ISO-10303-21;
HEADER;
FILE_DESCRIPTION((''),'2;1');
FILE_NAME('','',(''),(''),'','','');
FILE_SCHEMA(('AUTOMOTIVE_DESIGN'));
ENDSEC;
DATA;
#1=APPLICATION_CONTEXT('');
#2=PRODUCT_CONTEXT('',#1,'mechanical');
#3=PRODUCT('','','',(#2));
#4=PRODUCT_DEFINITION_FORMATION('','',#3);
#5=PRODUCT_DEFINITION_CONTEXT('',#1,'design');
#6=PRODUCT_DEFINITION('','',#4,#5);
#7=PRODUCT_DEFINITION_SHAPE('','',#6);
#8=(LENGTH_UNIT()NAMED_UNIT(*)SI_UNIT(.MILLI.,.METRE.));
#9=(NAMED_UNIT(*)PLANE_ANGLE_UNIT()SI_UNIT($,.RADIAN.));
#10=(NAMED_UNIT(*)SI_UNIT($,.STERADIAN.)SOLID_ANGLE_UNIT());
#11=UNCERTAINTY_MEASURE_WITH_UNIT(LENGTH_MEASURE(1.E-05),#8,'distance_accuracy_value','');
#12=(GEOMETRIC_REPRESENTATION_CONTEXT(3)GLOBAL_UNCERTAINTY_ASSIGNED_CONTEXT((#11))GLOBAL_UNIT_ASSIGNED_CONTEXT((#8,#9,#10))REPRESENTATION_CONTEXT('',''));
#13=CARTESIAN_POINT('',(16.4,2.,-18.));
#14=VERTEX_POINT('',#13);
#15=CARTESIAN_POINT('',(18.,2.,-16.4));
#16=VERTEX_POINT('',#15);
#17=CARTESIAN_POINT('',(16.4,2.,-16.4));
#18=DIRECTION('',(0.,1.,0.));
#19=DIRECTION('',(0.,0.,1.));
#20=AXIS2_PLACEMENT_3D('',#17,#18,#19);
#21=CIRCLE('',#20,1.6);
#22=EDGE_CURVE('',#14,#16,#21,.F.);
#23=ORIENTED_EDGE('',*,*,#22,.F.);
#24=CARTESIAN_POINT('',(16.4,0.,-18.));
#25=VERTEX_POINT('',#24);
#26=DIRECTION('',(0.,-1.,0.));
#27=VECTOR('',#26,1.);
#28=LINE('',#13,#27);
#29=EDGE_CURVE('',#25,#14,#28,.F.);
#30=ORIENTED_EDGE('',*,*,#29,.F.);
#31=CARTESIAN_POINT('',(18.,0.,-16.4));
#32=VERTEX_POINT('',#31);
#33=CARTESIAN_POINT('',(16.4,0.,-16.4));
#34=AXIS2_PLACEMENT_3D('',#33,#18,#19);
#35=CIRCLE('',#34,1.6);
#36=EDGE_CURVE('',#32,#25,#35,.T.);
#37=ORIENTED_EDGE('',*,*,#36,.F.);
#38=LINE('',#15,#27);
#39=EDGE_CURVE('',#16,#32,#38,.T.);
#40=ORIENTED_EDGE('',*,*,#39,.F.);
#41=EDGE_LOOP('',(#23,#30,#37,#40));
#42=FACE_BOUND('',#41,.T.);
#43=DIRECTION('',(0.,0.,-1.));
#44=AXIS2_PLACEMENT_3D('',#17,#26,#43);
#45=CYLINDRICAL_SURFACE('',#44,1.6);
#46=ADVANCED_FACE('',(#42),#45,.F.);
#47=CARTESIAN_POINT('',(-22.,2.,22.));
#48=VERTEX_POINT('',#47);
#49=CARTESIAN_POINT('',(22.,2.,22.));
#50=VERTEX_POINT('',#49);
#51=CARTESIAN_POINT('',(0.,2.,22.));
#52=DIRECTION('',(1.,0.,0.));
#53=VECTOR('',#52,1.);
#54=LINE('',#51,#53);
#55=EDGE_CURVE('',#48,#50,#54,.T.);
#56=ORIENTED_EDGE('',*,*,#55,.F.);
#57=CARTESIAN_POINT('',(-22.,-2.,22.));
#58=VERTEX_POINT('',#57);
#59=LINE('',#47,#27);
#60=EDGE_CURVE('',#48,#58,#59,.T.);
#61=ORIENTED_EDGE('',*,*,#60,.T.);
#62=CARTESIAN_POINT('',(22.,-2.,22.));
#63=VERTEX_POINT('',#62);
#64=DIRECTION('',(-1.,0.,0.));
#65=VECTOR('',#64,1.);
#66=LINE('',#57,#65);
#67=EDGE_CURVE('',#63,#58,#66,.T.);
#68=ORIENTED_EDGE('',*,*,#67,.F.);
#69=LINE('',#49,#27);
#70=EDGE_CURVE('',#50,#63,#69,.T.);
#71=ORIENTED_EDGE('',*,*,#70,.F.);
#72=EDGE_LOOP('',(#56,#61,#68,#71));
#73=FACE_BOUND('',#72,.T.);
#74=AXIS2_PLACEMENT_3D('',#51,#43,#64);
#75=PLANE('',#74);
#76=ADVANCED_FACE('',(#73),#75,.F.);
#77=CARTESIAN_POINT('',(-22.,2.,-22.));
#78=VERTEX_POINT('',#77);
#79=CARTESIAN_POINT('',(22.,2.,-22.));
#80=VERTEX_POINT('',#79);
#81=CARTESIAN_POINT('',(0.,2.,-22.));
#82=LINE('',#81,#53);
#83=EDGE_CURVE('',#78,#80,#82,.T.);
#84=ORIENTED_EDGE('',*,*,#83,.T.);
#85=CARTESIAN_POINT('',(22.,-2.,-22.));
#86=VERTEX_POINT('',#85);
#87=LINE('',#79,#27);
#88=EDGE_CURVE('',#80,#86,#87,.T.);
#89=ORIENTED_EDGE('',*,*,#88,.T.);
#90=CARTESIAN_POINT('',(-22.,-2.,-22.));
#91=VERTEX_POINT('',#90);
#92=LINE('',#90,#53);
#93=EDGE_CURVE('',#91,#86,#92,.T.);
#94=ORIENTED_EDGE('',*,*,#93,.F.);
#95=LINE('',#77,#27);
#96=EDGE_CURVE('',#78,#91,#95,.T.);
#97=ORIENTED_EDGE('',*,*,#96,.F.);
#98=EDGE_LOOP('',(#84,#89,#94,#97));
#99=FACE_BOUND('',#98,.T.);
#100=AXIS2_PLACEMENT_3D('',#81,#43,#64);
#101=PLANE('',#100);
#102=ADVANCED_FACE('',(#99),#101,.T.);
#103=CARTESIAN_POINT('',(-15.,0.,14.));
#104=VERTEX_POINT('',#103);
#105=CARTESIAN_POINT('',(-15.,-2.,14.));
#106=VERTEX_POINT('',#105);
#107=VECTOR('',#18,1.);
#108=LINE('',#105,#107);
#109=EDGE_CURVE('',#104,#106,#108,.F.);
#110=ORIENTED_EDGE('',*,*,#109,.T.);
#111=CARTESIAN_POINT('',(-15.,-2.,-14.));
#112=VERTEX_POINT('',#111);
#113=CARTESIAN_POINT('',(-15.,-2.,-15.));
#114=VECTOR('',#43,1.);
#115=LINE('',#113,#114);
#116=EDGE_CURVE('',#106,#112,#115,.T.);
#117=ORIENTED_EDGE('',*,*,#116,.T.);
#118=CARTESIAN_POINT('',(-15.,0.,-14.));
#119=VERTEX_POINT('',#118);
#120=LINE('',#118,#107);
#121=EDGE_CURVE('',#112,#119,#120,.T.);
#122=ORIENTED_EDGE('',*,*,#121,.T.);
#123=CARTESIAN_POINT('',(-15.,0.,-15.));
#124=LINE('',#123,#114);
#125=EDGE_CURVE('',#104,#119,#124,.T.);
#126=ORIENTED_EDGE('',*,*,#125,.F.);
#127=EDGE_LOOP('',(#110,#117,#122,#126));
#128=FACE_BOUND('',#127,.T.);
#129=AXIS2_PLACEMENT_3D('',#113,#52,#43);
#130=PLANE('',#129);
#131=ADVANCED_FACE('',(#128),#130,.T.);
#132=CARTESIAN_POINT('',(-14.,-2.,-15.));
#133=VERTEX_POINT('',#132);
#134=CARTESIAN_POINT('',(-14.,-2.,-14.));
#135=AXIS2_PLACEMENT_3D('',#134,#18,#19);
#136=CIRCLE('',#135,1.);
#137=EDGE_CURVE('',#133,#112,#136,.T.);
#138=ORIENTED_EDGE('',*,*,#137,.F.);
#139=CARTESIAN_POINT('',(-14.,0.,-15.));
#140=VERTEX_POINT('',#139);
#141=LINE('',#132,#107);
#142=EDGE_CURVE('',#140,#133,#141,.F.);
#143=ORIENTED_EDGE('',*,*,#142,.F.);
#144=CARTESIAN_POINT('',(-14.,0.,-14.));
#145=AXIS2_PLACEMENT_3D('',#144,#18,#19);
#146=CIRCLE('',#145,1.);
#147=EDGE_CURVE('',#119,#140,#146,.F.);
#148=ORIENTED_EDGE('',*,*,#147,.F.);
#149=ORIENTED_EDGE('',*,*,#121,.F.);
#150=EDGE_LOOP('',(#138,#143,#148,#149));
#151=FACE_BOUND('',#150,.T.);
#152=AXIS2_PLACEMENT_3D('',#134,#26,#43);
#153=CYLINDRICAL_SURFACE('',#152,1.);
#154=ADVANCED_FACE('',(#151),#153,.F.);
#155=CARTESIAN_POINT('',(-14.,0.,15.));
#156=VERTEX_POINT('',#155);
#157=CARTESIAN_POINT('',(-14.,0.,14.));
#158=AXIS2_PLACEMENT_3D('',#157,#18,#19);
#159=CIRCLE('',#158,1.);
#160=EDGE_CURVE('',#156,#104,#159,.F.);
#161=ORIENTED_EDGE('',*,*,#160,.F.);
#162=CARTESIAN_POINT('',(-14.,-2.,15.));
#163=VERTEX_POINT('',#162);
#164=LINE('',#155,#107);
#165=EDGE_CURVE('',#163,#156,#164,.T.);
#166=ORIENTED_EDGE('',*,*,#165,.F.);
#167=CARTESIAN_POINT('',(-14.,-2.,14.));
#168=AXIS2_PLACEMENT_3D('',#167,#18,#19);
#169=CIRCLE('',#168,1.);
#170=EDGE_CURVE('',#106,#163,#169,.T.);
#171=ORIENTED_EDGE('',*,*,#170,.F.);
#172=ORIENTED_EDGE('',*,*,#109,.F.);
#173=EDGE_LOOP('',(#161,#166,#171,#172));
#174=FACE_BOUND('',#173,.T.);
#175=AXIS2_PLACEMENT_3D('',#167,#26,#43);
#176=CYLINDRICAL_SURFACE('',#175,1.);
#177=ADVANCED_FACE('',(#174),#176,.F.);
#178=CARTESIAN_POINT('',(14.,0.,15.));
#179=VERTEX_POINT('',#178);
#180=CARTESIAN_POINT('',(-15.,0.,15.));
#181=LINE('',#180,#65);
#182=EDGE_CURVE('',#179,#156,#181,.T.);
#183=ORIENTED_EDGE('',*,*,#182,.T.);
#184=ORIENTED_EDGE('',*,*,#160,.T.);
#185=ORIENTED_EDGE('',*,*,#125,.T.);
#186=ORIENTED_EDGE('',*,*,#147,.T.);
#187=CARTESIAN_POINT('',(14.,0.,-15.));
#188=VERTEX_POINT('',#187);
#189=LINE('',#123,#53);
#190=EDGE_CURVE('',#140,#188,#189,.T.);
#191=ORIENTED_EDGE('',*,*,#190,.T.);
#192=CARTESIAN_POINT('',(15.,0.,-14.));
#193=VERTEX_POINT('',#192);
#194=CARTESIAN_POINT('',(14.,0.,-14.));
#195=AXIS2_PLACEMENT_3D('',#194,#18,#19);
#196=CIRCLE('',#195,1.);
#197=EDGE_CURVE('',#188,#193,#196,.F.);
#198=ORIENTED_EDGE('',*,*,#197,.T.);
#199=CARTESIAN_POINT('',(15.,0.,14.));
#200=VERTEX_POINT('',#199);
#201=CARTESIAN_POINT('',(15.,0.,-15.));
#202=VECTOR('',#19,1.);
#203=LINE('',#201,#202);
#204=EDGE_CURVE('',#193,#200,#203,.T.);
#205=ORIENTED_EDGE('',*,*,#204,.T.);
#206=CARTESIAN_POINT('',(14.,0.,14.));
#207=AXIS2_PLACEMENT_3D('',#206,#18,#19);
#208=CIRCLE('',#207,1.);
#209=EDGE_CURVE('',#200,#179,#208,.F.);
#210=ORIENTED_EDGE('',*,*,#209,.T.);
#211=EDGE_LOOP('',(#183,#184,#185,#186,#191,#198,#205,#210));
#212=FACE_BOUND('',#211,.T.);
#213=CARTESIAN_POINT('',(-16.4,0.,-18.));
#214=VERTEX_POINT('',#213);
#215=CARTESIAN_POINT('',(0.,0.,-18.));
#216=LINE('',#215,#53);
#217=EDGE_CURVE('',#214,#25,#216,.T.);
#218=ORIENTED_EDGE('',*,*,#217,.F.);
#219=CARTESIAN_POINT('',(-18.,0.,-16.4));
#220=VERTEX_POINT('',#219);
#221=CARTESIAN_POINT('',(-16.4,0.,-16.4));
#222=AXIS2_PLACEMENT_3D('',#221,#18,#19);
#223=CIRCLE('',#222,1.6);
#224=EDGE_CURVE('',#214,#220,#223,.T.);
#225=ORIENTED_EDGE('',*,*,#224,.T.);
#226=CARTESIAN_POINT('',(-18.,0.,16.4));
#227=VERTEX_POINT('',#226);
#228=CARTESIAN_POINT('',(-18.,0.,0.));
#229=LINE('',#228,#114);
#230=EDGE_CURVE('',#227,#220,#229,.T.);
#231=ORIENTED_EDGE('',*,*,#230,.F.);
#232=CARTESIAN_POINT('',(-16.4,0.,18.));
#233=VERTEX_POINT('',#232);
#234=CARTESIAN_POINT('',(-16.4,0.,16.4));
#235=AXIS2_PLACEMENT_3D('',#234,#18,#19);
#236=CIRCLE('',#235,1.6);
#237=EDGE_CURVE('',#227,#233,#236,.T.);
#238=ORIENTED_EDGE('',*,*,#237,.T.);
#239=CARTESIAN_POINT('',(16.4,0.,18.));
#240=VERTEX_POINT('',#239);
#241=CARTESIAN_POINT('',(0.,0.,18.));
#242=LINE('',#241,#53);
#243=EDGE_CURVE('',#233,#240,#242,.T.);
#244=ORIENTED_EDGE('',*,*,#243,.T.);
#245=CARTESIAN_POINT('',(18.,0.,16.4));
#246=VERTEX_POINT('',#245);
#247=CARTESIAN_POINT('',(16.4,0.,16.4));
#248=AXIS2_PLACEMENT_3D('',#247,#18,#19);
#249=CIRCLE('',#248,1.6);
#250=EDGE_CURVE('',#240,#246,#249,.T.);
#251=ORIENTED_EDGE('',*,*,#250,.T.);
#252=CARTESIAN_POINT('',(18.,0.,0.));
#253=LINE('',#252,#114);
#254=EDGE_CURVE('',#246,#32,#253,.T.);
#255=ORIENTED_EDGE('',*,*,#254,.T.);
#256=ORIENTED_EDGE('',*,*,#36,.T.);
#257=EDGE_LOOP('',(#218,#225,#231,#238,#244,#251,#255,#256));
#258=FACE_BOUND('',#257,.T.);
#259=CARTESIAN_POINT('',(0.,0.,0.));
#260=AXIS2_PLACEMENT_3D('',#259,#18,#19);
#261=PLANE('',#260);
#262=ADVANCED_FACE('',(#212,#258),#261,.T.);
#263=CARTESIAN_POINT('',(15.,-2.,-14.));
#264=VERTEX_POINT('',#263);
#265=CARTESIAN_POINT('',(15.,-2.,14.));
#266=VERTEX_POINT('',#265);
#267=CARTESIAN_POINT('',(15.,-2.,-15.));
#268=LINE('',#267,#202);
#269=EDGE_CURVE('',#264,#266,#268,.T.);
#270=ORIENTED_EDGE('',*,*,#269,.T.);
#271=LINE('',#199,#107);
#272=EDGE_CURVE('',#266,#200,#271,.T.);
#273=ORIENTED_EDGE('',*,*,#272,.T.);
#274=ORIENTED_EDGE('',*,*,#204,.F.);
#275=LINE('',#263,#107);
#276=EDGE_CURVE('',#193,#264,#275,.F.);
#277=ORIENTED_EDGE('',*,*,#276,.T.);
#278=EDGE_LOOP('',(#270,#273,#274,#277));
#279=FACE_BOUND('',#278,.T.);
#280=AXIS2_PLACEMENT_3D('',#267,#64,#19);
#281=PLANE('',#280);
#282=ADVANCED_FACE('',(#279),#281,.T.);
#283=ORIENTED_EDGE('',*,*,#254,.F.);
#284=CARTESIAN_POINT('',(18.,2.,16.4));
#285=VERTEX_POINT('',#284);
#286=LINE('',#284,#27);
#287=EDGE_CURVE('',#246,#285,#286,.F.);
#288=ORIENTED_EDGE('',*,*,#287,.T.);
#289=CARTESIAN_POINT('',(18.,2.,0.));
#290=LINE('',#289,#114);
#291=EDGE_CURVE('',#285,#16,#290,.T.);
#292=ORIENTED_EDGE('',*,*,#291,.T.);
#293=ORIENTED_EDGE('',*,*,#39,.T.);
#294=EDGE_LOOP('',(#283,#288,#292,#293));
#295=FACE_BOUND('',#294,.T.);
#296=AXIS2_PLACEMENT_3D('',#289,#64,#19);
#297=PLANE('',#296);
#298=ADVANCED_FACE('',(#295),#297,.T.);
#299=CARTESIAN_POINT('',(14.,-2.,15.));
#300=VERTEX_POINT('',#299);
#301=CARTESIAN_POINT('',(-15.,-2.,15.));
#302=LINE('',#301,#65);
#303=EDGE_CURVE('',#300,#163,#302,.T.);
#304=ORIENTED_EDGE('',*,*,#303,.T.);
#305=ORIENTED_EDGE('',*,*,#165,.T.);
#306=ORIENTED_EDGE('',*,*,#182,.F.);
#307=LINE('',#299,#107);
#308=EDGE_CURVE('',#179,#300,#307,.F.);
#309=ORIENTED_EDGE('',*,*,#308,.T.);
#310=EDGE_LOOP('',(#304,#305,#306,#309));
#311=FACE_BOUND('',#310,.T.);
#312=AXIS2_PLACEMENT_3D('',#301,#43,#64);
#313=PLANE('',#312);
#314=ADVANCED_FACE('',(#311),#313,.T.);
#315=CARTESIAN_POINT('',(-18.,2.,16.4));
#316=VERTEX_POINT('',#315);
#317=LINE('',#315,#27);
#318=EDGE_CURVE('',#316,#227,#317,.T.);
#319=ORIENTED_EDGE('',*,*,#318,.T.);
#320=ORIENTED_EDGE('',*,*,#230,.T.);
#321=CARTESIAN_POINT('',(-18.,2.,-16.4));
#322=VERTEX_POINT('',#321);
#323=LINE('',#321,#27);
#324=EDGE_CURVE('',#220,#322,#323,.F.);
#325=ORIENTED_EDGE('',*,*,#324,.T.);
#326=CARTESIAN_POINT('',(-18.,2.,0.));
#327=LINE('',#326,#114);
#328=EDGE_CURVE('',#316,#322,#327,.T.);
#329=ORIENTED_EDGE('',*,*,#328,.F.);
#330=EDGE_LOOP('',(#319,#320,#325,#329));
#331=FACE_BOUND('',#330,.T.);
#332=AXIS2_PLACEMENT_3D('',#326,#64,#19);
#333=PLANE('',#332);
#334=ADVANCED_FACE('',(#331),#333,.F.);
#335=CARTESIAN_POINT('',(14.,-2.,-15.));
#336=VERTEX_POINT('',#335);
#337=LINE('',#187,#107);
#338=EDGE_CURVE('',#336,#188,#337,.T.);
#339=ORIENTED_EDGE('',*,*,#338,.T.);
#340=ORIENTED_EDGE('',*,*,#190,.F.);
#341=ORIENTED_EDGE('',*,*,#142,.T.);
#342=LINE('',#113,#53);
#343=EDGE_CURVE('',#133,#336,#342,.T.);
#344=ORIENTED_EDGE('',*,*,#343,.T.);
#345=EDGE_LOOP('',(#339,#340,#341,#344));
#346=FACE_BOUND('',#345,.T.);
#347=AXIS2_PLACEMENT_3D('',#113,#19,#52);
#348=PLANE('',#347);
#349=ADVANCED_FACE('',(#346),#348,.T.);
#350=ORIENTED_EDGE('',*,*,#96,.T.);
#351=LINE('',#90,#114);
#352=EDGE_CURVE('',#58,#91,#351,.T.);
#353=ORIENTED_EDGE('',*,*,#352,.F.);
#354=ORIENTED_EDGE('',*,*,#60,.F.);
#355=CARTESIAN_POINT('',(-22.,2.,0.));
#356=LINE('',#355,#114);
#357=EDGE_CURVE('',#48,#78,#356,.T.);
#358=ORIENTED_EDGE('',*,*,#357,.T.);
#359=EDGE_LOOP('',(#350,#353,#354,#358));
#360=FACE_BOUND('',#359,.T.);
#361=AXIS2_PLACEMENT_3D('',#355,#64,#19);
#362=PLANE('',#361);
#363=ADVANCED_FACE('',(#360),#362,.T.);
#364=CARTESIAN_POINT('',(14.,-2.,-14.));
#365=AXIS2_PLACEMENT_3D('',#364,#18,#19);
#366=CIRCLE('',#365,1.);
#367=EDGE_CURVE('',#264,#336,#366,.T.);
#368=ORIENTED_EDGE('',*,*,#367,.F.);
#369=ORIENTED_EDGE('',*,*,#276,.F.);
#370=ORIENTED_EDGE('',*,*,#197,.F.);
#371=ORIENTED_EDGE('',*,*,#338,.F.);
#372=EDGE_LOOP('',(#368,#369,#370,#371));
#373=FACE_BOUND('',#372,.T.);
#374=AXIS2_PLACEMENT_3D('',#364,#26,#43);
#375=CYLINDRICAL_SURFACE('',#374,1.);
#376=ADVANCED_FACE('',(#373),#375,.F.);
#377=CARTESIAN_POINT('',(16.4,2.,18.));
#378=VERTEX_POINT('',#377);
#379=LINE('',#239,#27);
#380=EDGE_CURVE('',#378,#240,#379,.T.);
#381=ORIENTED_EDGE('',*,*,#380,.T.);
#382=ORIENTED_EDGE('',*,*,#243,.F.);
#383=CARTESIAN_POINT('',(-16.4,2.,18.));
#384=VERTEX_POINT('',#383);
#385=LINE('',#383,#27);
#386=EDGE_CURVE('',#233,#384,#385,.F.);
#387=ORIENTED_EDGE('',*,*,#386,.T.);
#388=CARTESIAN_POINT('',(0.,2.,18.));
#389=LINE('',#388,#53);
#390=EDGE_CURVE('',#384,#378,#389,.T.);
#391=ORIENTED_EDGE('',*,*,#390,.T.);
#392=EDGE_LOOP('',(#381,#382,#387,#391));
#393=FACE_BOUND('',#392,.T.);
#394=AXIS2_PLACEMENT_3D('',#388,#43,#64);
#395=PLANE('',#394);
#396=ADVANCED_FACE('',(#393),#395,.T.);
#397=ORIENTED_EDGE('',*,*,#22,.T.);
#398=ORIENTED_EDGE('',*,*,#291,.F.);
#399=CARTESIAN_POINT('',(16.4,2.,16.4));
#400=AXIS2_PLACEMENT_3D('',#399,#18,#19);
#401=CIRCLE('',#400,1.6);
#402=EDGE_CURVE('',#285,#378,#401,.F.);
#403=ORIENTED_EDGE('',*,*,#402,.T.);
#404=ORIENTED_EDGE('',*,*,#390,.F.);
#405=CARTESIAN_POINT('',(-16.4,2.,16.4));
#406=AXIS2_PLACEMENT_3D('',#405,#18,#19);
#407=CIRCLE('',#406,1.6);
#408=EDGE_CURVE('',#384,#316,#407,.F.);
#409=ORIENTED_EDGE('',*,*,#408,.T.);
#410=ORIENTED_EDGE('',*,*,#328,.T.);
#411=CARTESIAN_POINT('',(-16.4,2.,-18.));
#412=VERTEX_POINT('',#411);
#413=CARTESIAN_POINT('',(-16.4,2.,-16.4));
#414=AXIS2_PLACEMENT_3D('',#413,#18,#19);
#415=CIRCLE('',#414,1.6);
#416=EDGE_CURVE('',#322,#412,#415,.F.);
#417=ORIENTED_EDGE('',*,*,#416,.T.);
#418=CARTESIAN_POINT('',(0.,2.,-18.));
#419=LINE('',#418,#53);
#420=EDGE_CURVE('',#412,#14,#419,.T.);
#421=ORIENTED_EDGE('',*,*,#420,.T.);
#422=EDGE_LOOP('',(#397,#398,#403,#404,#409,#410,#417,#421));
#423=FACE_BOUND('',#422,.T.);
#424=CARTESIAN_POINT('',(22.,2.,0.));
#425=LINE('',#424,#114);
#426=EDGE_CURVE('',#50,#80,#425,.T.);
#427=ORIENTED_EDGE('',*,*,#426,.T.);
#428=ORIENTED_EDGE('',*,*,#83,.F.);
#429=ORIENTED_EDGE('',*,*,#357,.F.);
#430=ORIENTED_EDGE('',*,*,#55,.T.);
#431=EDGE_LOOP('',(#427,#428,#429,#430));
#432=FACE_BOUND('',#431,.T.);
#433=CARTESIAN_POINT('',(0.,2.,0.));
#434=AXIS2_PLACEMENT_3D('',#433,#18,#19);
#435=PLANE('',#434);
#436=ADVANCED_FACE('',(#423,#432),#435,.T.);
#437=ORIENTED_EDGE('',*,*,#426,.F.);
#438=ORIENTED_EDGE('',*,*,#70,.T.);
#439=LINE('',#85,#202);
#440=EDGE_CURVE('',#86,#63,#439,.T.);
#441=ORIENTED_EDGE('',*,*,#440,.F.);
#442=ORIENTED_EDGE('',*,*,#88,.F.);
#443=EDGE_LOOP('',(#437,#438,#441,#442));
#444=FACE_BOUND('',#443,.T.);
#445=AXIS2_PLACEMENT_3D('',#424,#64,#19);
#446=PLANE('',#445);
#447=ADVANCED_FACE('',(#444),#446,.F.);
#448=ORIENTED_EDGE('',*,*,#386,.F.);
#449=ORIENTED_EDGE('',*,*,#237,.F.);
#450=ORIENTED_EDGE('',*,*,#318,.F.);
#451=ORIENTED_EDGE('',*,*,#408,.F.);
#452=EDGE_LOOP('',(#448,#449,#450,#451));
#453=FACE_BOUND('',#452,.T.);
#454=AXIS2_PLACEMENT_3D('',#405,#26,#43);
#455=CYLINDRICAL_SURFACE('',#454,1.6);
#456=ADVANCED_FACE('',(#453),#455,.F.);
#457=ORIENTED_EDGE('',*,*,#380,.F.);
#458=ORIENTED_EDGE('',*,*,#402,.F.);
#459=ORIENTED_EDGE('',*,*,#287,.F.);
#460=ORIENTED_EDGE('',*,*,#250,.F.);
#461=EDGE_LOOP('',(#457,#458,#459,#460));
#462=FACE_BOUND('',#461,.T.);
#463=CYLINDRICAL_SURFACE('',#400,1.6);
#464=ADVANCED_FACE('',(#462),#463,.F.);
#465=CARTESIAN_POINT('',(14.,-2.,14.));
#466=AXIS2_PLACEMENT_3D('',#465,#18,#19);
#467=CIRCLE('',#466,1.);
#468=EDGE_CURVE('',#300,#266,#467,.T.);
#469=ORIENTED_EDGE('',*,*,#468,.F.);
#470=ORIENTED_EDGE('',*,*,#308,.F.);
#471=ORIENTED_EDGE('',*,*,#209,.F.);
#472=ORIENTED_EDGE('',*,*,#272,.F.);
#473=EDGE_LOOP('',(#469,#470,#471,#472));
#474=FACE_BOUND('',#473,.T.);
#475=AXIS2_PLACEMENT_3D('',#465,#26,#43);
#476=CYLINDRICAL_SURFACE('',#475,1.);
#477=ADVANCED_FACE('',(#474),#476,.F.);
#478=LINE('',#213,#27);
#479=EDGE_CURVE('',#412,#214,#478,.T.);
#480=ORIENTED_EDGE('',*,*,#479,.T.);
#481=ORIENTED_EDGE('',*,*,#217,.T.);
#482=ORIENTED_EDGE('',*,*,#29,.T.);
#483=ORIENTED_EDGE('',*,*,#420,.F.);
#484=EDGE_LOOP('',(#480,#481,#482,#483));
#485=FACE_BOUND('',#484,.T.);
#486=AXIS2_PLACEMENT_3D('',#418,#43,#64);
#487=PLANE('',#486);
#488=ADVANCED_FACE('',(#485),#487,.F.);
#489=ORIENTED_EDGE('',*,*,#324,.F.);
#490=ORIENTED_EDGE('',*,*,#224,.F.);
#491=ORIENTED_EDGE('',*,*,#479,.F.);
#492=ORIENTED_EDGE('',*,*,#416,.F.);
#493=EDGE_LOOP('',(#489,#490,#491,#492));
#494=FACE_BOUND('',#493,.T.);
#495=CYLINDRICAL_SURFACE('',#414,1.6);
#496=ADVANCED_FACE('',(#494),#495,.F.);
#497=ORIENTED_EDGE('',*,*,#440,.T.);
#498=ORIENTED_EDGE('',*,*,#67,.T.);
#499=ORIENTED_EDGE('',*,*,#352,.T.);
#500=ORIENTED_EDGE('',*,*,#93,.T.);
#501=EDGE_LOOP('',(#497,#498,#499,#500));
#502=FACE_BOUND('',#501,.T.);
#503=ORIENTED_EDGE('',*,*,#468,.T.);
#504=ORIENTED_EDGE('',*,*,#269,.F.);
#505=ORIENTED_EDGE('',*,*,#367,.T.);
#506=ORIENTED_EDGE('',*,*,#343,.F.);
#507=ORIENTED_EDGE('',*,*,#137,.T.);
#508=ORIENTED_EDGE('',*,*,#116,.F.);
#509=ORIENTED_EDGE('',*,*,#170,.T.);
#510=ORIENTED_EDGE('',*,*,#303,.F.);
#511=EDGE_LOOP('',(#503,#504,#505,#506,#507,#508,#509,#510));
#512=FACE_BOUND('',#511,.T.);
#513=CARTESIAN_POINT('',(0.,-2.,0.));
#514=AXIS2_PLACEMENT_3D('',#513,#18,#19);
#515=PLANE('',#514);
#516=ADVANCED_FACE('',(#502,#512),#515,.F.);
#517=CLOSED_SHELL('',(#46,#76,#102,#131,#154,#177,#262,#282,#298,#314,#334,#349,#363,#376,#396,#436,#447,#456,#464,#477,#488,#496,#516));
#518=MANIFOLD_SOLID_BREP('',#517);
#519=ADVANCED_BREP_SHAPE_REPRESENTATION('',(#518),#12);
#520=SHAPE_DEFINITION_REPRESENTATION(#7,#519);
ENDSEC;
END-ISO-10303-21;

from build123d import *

# Parameters (mm, degrees)
SKETCH1_W           = 44
SKETCH1_H           = 44
SKETCH1_W_2         = 36
SKETCH1_H_2         = 36
BOSS_EXTRUDE1_DEPTH = 2
FILLET1_R           = 1.6
SKETCH2_W           = 44
SKETCH2_H           = 44
SKETCH2_W_2         = 30
SKETCH2_H_2         = 30
BOSS_EXTRUDE2_DEPTH = 2
FILLET2_R           = 1


with BuildPart() as part:
    # Sketch1 → Boss-Extrude1 (new body)
    with BuildSketch(Plane(origin=(0, 0, 0), x_dir=(1, 0, 0), z_dir=(0, 1, 0))):
        Rectangle(SKETCH1_W, SKETCH1_H)
        Rectangle(SKETCH1_W_2, SKETCH1_H_2, mode=Mode.SUBTRACT)
    extrude(amount=BOSS_EXTRUDE1_DEPTH)

    # Fillet1
    fillet1_edges = [part.edges().sort_by_distance(p)[0] for p in [
        (18, 1, -18),
        (-18, 1, -18),
        (-18, 1, 18),
        (18, 1, 18),
    ]]
    fillet(fillet1_edges, radius=FILLET1_R)

    # Sketch2 → Boss-Extrude2 (add)
    with BuildSketch(Plane.XZ):
        Rectangle(SKETCH2_W, SKETCH2_H)
        Rectangle(SKETCH2_W_2, SKETCH2_H_2, mode=Mode.SUBTRACT)
    extrude(amount=BOSS_EXTRUDE2_DEPTH)

    # Fillet2
    fillet2_edges = [part.edges().sort_by_distance(p)[0] for p in [
        (15, -1, 15),
        (-15, -1, 15),
        (-15, -1, -15),
        (15, -1, -15),
    ]]
    fillet(fillet2_edges, radius=FILLET2_R)


solid = part.part
